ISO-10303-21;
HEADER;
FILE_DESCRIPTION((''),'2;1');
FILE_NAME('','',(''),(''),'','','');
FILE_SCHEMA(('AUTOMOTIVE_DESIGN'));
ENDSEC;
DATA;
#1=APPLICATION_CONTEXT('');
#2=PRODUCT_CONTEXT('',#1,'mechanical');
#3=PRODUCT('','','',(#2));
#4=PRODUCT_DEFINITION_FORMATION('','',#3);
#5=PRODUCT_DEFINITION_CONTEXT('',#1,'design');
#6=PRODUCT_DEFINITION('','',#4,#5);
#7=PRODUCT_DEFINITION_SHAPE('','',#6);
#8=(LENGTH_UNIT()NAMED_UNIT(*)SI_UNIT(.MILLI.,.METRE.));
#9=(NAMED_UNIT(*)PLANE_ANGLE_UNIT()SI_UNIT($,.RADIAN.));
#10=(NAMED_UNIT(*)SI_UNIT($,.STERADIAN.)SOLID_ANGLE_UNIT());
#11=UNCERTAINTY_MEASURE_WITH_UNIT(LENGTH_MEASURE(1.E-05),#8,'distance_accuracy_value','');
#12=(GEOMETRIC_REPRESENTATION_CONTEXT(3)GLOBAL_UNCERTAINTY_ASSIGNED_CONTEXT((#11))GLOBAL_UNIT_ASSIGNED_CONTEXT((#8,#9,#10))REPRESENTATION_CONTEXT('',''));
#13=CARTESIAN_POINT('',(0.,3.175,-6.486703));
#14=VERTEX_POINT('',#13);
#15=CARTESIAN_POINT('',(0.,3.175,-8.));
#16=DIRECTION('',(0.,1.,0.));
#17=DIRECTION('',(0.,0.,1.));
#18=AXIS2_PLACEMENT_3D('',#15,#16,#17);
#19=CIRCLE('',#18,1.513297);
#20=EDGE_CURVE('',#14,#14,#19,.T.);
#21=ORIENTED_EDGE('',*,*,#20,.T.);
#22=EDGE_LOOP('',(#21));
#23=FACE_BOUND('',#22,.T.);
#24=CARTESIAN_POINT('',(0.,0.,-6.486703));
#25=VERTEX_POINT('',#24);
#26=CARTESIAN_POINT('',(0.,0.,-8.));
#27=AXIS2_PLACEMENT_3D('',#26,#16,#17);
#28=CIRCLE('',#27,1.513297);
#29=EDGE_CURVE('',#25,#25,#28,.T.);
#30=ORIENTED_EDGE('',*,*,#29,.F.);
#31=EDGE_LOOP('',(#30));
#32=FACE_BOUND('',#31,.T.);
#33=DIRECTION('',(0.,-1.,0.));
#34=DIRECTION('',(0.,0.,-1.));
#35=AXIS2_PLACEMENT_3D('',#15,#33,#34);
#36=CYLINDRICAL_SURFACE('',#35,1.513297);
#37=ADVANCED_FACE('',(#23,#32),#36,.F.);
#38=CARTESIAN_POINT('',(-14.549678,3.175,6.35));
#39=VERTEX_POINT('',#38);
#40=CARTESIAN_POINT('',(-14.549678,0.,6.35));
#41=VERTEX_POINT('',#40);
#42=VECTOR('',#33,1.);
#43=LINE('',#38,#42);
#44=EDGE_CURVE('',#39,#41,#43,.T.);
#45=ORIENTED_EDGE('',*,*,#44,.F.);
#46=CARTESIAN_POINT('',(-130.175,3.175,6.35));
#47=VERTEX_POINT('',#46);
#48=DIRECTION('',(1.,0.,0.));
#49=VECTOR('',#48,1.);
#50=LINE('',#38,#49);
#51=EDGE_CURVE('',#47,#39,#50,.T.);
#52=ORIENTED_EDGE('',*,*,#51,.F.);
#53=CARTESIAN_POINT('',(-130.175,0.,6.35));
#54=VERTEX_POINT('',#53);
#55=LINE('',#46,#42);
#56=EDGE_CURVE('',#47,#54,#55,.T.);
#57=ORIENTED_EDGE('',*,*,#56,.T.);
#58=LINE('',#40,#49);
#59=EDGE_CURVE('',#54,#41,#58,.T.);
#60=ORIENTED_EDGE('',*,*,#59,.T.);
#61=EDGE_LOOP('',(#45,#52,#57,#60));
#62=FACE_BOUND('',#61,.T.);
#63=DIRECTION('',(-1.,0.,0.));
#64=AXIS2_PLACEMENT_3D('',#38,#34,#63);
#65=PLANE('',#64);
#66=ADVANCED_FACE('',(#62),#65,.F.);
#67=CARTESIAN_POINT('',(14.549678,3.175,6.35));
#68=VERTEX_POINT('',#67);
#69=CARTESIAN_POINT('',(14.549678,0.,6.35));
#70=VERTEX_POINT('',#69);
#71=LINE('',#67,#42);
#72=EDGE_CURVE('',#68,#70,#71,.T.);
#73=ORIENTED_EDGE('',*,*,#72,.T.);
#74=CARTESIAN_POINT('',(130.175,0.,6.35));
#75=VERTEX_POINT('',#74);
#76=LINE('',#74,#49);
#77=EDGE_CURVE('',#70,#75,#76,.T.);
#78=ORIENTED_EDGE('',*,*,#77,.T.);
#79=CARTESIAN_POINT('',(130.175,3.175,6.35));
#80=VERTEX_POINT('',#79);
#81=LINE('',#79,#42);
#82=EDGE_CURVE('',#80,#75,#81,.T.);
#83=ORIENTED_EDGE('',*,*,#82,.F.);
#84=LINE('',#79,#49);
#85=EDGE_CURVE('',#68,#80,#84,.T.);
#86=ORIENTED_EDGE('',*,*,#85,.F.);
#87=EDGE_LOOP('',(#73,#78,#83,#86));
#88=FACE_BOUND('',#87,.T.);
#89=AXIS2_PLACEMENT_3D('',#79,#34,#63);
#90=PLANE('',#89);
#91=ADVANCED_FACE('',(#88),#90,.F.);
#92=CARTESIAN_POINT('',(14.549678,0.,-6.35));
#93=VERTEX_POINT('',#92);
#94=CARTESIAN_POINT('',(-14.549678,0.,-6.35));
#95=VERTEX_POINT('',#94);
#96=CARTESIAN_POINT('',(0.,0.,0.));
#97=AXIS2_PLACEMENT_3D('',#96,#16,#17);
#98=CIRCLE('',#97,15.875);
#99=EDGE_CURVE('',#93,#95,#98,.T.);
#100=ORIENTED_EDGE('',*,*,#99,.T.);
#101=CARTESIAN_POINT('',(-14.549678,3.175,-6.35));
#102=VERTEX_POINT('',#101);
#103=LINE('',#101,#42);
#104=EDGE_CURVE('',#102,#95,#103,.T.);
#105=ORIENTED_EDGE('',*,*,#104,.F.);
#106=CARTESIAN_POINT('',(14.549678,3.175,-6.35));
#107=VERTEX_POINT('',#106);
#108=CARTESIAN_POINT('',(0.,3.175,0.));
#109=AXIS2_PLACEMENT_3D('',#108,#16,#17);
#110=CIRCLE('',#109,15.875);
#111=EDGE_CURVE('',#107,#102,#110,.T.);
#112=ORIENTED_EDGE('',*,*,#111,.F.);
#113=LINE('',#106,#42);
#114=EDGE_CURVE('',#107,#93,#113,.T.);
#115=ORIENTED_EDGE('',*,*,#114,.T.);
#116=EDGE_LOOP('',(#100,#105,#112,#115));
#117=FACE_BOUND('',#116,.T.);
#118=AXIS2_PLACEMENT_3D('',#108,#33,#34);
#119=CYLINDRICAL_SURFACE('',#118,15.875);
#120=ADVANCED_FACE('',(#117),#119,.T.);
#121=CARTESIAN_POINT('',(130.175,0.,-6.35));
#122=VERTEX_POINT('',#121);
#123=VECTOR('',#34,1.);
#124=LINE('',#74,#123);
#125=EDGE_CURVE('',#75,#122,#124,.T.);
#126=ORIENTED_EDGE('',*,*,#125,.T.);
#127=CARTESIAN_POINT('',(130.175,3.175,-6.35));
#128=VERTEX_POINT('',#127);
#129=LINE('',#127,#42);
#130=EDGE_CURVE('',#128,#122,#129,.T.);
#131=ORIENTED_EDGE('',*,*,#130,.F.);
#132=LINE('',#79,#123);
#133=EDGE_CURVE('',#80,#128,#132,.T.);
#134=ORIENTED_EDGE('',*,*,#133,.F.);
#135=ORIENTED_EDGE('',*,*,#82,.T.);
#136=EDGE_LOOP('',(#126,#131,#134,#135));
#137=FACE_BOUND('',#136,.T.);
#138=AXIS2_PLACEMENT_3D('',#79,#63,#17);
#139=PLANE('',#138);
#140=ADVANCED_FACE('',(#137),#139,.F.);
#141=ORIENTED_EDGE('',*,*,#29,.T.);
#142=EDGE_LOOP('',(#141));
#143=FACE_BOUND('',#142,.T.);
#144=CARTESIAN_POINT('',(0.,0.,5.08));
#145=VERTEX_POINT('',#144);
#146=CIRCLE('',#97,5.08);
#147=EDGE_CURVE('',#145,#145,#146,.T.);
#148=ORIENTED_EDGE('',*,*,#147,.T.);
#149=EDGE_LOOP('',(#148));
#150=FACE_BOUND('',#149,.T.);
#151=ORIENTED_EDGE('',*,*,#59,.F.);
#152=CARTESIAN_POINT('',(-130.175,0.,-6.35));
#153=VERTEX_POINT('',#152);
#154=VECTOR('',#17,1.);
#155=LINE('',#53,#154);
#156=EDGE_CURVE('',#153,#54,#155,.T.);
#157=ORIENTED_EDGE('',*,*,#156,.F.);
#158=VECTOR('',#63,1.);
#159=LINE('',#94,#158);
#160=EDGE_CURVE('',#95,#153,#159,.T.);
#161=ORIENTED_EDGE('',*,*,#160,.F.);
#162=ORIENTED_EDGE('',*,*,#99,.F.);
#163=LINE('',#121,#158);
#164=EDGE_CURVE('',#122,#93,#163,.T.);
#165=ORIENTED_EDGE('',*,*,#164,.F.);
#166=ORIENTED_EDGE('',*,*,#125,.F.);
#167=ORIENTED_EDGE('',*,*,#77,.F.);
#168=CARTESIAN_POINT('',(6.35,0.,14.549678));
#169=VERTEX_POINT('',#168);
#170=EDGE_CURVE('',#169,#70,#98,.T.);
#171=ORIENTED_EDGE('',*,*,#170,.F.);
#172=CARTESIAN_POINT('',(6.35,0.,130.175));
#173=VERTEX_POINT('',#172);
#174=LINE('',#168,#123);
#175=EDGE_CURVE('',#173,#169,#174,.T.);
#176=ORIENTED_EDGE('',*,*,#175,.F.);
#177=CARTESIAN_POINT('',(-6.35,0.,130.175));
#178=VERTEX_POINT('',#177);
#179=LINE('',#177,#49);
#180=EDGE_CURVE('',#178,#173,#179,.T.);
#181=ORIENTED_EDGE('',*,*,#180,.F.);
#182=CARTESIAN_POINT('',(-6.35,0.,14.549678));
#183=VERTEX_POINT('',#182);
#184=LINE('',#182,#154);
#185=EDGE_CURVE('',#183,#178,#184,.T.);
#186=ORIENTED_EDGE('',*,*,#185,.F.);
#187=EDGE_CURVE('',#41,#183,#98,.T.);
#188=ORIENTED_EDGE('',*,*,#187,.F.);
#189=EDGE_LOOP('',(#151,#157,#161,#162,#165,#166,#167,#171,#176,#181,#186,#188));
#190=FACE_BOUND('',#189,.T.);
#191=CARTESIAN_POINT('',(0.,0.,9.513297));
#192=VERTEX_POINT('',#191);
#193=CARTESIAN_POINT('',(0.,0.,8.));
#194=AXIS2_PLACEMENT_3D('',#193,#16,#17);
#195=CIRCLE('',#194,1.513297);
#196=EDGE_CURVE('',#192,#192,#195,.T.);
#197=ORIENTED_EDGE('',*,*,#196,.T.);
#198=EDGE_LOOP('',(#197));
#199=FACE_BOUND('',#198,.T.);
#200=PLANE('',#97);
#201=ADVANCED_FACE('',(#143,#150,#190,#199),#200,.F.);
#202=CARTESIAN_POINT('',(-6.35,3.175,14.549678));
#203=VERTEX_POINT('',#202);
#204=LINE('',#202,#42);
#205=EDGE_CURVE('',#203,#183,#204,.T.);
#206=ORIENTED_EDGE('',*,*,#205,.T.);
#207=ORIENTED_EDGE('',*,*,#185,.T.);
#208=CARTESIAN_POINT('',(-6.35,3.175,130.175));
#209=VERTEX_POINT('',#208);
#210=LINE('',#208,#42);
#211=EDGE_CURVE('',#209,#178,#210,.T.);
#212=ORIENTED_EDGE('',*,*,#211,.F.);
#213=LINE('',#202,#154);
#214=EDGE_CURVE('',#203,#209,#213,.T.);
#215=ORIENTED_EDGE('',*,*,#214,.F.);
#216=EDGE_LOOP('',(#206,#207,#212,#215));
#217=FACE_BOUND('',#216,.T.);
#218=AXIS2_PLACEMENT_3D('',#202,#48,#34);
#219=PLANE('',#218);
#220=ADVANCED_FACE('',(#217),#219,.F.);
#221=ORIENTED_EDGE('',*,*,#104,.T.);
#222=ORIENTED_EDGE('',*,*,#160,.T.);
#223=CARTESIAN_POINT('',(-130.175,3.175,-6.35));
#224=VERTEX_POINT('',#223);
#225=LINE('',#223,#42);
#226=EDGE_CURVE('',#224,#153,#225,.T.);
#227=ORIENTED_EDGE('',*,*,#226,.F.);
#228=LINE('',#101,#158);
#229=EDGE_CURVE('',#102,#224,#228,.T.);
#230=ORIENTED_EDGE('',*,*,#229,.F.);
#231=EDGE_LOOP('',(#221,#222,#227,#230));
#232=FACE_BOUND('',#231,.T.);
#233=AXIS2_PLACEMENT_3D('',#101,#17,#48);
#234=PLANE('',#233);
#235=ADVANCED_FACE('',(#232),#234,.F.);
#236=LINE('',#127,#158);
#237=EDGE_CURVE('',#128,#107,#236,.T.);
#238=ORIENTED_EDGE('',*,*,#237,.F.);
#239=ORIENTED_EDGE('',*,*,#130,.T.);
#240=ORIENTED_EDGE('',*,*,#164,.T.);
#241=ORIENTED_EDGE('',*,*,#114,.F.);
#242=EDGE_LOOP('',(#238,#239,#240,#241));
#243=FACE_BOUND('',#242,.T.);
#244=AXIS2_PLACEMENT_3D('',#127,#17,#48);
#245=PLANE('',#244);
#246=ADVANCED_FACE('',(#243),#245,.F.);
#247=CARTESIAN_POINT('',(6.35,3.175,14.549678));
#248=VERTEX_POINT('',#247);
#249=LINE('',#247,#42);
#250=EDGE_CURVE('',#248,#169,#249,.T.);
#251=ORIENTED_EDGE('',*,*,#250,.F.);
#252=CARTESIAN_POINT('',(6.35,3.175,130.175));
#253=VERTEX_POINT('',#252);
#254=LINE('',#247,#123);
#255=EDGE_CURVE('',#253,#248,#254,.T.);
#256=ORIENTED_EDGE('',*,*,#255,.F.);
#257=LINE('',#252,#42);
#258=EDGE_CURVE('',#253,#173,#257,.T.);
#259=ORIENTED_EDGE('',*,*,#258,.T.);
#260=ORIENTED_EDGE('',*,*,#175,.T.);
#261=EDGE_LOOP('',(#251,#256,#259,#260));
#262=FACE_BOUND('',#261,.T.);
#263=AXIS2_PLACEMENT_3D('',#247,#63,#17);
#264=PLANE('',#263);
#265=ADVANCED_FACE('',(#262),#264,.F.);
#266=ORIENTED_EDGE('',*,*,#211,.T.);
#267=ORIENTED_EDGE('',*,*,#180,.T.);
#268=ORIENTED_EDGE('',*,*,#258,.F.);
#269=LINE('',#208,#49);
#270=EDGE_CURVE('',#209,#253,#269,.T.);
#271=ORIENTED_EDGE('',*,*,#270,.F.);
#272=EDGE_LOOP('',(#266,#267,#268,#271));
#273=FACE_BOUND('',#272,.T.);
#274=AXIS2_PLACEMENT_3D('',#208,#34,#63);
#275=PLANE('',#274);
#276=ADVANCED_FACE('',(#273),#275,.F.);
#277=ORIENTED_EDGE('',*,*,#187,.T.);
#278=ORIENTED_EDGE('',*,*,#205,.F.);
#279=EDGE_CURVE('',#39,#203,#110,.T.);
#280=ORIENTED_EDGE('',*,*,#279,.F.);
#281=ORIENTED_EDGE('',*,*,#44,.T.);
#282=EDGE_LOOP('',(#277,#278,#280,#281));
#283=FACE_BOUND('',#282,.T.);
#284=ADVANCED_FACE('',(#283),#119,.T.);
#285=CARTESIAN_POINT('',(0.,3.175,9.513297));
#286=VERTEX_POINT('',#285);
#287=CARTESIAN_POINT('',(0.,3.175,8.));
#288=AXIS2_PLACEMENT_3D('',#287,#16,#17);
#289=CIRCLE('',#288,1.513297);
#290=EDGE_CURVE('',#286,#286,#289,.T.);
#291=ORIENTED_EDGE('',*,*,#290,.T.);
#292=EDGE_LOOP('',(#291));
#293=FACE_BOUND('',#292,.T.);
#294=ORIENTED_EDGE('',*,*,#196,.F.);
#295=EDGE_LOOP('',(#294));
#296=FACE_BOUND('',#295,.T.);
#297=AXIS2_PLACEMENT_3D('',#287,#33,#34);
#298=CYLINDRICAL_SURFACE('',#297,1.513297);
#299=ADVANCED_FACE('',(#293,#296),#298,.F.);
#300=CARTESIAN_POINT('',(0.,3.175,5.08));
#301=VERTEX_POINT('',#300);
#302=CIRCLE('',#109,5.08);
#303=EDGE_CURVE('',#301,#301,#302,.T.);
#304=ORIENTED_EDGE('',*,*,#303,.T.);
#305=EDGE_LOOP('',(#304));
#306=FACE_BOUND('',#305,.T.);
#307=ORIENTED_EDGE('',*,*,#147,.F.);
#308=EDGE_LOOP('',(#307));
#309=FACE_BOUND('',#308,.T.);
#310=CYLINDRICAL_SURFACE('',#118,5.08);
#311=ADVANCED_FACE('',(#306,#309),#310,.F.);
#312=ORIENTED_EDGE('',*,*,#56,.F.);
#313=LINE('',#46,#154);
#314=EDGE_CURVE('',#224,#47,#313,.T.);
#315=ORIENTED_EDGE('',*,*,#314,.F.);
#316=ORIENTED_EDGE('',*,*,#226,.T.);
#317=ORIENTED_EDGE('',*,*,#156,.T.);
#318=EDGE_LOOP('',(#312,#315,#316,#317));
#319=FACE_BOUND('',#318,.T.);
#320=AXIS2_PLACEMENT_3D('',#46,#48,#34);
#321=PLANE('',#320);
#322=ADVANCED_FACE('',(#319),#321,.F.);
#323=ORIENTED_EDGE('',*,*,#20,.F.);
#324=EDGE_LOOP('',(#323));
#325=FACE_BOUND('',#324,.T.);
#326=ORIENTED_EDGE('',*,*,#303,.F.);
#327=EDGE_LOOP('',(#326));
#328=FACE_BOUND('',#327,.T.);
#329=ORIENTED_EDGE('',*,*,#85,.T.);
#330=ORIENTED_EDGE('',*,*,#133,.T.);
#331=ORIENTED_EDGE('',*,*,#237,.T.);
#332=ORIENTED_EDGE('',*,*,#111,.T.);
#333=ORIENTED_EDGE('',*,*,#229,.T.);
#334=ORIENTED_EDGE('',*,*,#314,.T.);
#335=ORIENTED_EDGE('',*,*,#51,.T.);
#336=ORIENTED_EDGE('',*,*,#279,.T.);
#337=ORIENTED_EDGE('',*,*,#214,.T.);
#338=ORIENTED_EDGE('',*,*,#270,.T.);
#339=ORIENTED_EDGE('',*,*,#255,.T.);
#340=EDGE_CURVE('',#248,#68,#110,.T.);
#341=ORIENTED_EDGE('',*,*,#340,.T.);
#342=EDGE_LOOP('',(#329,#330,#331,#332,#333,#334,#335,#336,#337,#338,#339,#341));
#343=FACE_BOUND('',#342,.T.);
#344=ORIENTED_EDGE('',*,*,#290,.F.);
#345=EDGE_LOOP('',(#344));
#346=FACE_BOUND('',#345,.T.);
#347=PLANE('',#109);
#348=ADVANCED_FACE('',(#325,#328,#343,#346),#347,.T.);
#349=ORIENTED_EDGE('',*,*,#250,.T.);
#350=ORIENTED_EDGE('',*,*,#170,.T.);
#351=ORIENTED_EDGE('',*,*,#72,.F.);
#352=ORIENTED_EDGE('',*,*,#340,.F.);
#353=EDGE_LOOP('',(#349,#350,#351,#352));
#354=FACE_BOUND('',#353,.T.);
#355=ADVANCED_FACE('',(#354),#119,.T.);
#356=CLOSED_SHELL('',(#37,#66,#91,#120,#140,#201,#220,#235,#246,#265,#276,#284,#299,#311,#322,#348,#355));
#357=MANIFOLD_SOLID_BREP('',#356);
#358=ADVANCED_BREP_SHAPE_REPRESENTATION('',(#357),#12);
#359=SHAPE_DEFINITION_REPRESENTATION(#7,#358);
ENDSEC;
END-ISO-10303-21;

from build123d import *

# Parameters (mm, degrees)
BOSS_EXTRUDE1_DEPTH = 3.175
SCREW_HOLES_R       = 1.513296856
SCREW_HOLES_R_2     = 5.08
CUT_EXTRUDE1_DEPTH  = 185.122627276


with BuildPart() as part:
    # Sketch1 → Boss-Extrude1 (new body)
    with BuildSketch(Plane(origin=(0, 0, 0), x_dir=(1, 0, 0), z_dir=(0, 1, 0))):
        with BuildLine():
            Line((-14.549677831, 6.35), (-130.175, 6.35))
            Line((-130.175, 6.35), (-130.175, -6.35))
            Line((-130.175, -6.35), (-14.549677831, -6.35))
            ThreePointArc((-14.549677831, -6.35), (-11.225320151, -11.225320151), (-6.35, -14.549677831))
            Line((-6.35, -14.549677831), (-6.35, -130.175))
            Line((-6.35, -130.175), (6.35, -130.175))
            Line((6.35, -130.175), (6.35, -14.549677831))
            ThreePointArc((6.35, -14.549677831), (11.225320151, -11.225320151), (14.549677831, -6.35))
            Line((14.549677831, -6.35), (130.175, -6.35))
            Line((130.175, -6.35), (130.175, 6.35))
            Line((130.175, 6.35), (14.549677831, 6.35))
            ThreePointArc((14.549677831, 6.35), (0, 15.875), (-14.549677831, 6.35))
        make_face()
    extrude(amount=BOSS_EXTRUDE1_DEPTH)

    # Screw holes → Cut-Extrude1 (cut, through all)
    with BuildSketch(Plane(origin=(0, 0, 0), x_dir=(1, 0, 0), z_dir=(0, 1, 0))):
        with Locations(Location((0, 8, 0), (0, 0, 270))):
            Circle(SCREW_HOLES_R)
        with Locations(Location((0, -8, 0), (0, 0, 270))):
            Circle(SCREW_HOLES_R)
        with Locations(Location((0, 0, 0), (0, 0, 270))):
            Circle(SCREW_HOLES_R_2)
    extrude(amount=CUT_EXTRUDE1_DEPTH, mode=Mode.SUBTRACT)


solid = part.part
